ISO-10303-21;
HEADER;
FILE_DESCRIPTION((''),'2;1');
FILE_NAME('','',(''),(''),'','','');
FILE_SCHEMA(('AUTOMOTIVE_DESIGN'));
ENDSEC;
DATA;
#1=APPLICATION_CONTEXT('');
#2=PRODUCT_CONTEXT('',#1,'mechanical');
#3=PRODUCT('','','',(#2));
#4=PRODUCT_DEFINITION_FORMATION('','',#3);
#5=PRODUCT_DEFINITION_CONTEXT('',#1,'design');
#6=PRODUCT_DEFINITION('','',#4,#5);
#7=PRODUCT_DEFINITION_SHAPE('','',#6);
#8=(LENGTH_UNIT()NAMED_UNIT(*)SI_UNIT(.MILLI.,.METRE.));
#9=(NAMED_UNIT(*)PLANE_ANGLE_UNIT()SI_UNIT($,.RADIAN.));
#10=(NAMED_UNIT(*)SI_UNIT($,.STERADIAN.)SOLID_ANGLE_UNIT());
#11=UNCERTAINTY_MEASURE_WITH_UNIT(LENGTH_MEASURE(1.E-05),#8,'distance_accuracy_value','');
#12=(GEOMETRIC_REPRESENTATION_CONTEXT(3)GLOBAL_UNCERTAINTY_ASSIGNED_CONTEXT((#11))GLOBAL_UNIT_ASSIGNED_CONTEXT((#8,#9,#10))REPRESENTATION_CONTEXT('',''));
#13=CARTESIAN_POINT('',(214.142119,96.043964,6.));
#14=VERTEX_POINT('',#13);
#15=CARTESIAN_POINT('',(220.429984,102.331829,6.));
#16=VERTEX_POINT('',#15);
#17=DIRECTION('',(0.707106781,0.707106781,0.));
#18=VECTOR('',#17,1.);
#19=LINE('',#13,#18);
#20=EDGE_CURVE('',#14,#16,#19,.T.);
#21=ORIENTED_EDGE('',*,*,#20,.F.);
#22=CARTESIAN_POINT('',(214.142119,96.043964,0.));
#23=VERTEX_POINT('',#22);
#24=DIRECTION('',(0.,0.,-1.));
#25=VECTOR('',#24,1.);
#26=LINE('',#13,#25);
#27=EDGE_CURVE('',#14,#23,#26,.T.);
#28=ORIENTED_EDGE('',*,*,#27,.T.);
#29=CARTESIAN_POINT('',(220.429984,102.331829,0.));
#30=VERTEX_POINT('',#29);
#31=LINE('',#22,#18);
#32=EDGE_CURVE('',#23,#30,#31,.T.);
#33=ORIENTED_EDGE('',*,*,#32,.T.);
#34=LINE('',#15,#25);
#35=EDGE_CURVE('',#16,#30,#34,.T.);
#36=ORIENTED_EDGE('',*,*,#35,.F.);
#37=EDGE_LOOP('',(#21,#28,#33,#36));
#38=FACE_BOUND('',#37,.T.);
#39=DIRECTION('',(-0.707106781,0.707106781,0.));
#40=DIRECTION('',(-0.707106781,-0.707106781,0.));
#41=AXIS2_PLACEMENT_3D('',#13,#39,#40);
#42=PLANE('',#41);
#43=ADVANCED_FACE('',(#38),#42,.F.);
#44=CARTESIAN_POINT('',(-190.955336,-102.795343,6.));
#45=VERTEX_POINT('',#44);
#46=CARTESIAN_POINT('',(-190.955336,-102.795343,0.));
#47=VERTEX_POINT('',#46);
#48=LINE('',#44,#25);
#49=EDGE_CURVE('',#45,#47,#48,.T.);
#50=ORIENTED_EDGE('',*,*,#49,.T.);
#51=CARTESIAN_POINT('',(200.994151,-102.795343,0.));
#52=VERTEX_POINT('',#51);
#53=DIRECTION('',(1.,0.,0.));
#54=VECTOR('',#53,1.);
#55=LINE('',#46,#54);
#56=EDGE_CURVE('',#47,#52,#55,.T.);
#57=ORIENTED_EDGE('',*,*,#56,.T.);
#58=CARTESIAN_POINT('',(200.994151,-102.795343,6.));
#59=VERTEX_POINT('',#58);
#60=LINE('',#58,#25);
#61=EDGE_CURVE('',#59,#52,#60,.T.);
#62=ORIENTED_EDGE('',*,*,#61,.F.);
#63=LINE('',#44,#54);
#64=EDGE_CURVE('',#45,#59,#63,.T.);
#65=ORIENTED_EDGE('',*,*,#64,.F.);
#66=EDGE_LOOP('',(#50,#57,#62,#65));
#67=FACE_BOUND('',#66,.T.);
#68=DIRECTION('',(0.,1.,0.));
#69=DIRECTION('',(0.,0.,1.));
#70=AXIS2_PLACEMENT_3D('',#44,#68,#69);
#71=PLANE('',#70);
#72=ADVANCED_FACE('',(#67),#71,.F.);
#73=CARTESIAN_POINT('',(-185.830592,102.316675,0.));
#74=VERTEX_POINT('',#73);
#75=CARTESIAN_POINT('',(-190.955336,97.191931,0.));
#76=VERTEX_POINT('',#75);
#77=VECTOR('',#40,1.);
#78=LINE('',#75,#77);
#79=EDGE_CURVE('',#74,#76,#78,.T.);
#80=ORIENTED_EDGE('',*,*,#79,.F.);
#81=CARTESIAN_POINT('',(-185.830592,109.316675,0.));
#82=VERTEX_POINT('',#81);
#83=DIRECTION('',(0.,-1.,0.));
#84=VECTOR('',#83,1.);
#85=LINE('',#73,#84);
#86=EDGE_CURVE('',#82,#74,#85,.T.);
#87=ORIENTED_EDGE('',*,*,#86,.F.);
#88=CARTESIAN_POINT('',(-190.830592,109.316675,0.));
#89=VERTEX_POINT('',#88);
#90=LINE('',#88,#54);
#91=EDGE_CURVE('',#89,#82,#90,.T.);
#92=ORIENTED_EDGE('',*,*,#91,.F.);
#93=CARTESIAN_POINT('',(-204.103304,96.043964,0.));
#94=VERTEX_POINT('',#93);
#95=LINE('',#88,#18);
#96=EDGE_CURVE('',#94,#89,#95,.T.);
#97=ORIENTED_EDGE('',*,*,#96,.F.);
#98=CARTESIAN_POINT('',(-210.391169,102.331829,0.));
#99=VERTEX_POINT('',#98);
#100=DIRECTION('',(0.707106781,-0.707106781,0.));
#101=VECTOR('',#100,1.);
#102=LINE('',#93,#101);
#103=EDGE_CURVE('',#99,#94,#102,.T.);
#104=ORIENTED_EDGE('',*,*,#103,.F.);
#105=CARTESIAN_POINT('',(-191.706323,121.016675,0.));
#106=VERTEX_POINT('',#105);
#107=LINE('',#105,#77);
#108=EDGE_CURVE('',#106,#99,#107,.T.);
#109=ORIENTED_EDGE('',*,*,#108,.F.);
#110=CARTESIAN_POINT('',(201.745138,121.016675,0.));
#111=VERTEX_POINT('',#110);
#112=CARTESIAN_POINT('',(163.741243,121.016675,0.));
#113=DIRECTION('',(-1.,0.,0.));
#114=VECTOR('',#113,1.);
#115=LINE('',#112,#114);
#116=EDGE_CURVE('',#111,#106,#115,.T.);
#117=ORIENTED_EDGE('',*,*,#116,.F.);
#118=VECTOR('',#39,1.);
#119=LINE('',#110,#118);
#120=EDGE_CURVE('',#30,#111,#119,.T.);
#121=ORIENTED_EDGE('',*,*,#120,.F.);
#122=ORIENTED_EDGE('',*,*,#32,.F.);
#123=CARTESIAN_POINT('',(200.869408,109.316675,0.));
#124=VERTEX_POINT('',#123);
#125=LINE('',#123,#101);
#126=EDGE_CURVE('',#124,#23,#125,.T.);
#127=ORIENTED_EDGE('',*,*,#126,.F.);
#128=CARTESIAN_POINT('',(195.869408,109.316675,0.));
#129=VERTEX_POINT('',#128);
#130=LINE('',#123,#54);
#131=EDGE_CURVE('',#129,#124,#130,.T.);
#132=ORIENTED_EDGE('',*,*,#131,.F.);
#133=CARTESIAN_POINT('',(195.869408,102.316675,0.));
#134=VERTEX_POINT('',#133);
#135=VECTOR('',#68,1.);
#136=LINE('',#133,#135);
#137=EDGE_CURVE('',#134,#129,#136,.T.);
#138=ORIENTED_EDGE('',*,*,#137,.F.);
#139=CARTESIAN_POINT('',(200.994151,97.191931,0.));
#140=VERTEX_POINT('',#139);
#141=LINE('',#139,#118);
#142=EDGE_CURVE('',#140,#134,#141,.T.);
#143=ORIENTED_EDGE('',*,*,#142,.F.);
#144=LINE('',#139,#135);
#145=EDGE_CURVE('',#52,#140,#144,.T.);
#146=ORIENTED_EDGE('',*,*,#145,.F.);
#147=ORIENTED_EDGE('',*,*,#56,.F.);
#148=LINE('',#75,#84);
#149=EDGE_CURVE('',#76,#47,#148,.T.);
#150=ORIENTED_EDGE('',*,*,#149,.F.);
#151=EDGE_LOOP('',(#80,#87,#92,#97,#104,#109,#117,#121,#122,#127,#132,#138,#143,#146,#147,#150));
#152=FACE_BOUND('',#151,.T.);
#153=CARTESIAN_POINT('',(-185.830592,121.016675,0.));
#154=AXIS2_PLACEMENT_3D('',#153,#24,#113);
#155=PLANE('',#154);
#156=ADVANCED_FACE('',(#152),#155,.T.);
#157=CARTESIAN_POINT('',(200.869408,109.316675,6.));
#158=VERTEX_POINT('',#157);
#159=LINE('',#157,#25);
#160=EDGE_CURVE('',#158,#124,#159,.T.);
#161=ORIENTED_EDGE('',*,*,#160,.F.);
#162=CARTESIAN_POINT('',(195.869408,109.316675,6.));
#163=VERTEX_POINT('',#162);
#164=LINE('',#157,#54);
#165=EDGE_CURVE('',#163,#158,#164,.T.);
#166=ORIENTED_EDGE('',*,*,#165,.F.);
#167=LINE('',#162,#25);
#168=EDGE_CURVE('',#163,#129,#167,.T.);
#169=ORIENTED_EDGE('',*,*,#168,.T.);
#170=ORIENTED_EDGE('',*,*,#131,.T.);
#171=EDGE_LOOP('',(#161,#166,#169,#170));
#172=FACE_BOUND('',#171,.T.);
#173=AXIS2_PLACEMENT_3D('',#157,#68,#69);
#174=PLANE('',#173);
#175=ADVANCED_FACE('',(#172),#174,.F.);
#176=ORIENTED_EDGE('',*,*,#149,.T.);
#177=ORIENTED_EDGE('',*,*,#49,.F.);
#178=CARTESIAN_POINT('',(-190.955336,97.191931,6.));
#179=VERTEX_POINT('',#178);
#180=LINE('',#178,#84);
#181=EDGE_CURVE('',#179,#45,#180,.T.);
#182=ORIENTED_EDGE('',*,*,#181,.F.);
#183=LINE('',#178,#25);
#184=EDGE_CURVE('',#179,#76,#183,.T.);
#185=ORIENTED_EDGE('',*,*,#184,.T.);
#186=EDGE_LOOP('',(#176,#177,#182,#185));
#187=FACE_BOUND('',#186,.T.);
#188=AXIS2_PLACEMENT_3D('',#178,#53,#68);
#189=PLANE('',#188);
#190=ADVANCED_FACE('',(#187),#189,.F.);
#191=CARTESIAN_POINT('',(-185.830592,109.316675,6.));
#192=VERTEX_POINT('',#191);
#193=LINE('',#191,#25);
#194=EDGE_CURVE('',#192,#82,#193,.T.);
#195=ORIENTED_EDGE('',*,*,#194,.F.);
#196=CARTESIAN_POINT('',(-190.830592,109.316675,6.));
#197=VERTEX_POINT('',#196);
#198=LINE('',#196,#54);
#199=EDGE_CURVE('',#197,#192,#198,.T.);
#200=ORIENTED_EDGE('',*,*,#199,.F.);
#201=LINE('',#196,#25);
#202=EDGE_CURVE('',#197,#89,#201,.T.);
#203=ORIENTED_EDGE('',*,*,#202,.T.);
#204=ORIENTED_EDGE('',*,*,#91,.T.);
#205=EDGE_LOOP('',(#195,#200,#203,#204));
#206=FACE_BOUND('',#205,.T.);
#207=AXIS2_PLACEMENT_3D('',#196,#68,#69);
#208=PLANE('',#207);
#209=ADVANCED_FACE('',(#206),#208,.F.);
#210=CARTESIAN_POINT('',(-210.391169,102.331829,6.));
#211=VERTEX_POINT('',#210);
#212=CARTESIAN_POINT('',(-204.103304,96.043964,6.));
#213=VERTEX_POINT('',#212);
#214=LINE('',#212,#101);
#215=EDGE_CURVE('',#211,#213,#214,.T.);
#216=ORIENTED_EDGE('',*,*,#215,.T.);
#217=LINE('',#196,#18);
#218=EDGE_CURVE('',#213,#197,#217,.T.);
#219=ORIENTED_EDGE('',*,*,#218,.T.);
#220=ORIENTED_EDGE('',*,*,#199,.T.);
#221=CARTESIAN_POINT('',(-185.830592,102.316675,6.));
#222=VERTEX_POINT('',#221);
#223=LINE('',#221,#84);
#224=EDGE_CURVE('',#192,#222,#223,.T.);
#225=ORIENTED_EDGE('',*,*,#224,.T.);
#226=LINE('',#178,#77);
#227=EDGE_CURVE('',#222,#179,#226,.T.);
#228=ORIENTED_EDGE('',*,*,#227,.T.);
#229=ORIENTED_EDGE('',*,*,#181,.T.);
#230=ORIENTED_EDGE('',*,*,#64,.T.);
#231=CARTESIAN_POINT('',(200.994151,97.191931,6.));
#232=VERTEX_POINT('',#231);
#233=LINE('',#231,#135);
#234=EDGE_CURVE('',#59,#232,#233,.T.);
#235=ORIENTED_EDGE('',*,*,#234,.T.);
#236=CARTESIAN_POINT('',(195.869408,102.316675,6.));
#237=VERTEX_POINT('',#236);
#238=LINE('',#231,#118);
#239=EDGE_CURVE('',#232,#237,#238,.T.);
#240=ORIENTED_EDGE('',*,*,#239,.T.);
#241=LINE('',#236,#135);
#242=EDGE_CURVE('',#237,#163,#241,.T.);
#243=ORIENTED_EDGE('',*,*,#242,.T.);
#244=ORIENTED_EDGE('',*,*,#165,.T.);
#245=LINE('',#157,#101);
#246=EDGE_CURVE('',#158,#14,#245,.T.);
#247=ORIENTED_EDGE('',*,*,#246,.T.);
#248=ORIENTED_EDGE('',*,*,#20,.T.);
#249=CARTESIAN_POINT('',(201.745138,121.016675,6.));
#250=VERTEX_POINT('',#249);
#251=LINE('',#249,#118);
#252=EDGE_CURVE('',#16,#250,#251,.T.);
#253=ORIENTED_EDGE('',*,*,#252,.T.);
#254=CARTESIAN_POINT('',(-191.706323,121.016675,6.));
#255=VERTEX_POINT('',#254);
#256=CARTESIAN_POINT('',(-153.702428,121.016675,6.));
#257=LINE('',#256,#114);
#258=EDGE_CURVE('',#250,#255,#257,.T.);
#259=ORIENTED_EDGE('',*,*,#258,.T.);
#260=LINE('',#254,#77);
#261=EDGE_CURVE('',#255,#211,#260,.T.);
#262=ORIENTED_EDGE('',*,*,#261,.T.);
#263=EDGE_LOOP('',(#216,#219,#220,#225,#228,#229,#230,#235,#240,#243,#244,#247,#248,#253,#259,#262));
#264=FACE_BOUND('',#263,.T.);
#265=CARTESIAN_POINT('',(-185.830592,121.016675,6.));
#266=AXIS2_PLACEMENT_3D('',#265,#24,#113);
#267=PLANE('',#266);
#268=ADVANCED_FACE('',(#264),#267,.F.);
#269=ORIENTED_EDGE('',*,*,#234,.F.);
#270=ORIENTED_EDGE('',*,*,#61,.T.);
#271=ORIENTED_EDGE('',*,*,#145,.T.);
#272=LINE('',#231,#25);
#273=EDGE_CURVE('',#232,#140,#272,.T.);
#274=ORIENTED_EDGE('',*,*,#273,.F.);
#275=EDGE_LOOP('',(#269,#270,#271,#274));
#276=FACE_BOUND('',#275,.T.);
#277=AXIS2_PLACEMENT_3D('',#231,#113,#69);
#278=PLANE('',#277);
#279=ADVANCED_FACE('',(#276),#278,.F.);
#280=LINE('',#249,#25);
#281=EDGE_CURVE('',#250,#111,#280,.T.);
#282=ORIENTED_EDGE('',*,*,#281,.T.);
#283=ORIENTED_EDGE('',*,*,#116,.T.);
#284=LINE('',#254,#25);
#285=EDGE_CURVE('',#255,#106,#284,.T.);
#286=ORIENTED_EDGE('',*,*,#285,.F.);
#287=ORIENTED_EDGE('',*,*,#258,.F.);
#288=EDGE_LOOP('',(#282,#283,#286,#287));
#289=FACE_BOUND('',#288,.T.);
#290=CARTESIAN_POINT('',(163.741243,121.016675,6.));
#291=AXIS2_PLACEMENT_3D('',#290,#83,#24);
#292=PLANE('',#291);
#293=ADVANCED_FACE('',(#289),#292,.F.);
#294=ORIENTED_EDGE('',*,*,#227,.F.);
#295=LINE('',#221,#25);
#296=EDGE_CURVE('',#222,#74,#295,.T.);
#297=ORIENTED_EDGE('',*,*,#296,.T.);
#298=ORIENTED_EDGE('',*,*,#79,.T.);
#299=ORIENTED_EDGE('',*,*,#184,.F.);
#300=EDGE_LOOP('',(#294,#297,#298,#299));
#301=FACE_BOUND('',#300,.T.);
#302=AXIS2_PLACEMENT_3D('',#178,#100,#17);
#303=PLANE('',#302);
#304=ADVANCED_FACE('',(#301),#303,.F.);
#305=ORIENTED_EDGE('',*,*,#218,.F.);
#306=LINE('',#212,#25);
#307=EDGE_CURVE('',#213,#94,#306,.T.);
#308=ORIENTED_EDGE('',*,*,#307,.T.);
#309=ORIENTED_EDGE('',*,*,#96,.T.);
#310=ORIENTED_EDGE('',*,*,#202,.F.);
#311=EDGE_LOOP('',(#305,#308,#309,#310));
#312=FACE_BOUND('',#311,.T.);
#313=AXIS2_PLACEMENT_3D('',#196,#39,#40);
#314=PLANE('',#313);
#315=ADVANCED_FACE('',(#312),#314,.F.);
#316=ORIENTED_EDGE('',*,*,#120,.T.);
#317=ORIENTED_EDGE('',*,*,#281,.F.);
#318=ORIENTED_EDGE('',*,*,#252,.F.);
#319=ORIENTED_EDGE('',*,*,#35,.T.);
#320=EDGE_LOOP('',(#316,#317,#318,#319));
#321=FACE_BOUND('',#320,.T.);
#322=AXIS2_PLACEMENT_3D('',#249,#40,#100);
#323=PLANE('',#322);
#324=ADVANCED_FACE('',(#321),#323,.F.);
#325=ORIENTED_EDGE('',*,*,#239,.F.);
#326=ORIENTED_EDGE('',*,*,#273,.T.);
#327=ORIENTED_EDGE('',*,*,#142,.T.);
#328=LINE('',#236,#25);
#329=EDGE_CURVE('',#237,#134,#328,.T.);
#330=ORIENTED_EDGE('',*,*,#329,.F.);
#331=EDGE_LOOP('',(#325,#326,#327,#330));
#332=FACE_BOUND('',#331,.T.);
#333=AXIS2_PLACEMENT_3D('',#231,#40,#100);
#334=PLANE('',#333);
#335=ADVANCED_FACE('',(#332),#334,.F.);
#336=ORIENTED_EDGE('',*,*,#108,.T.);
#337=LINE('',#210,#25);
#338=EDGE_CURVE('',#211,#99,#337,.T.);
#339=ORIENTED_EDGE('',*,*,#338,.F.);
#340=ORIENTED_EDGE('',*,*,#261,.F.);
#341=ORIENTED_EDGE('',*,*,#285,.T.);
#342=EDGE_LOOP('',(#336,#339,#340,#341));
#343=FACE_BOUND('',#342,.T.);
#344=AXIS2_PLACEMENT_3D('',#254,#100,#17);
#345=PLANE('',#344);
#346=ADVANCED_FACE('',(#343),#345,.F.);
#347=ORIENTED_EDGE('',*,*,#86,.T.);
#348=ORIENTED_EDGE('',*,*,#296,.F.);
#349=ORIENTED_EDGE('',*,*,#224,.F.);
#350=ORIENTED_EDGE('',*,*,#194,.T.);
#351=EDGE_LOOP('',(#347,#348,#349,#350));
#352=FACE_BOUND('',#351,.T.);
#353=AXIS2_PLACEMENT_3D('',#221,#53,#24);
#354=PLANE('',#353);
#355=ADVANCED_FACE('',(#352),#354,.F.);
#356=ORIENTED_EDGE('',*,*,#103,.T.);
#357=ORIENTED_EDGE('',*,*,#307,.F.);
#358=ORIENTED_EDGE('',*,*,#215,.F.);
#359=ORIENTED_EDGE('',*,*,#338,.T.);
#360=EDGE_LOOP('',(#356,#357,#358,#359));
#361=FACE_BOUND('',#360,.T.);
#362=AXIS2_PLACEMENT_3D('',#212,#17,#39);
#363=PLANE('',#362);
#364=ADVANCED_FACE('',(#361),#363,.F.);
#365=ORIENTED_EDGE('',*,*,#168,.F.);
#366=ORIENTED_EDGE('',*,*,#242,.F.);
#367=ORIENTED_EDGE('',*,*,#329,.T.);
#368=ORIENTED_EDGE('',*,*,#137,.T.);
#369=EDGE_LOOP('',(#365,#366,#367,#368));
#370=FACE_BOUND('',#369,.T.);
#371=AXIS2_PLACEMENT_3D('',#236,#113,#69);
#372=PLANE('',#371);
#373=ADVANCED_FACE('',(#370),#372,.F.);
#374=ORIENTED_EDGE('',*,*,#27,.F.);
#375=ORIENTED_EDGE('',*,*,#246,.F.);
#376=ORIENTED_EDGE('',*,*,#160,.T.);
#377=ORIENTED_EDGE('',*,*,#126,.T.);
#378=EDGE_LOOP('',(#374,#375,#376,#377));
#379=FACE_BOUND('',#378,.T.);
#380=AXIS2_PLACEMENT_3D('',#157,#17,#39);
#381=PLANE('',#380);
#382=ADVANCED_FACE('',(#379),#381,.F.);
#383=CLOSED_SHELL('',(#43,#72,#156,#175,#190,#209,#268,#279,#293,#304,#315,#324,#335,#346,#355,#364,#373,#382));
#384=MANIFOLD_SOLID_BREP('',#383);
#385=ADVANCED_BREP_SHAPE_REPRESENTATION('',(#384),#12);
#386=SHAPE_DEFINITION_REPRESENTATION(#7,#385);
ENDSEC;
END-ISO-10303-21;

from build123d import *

# Parameters (mm, degrees)
BOSS_EXTRUDE1_DEPTH = 6


with BuildPart() as part:
    # Sketch1 → Boss-Extrude1 (new body)
    with BuildSketch(Plane.XY):
        Polygon((163.741243393, 121.016675198), (-153.702428255, 121.016675198), (-191.706323206, 121.016675198), (-210.391169282, 102.331829122), (-204.103303895, 96.043963734), (-190.830592431, 109.316675198), (-185.830592431, 109.316675198), (-185.830592431, 102.316675198), (-190.955336293, 97.191931336), (-190.955336293, -102.795343439), (200.994151431, -102.795343439), (200.994151431, 97.191931336), (195.869407569, 102.316675198), (195.869407569, 109.316675198), (200.869407569, 109.316675198), (214.142119033, 96.043963734), (220.429984421, 102.331829122), (201.745138344, 121.016675198), align=None)
    extrude(amount=BOSS_EXTRUDE1_DEPTH)


solid = part.part
